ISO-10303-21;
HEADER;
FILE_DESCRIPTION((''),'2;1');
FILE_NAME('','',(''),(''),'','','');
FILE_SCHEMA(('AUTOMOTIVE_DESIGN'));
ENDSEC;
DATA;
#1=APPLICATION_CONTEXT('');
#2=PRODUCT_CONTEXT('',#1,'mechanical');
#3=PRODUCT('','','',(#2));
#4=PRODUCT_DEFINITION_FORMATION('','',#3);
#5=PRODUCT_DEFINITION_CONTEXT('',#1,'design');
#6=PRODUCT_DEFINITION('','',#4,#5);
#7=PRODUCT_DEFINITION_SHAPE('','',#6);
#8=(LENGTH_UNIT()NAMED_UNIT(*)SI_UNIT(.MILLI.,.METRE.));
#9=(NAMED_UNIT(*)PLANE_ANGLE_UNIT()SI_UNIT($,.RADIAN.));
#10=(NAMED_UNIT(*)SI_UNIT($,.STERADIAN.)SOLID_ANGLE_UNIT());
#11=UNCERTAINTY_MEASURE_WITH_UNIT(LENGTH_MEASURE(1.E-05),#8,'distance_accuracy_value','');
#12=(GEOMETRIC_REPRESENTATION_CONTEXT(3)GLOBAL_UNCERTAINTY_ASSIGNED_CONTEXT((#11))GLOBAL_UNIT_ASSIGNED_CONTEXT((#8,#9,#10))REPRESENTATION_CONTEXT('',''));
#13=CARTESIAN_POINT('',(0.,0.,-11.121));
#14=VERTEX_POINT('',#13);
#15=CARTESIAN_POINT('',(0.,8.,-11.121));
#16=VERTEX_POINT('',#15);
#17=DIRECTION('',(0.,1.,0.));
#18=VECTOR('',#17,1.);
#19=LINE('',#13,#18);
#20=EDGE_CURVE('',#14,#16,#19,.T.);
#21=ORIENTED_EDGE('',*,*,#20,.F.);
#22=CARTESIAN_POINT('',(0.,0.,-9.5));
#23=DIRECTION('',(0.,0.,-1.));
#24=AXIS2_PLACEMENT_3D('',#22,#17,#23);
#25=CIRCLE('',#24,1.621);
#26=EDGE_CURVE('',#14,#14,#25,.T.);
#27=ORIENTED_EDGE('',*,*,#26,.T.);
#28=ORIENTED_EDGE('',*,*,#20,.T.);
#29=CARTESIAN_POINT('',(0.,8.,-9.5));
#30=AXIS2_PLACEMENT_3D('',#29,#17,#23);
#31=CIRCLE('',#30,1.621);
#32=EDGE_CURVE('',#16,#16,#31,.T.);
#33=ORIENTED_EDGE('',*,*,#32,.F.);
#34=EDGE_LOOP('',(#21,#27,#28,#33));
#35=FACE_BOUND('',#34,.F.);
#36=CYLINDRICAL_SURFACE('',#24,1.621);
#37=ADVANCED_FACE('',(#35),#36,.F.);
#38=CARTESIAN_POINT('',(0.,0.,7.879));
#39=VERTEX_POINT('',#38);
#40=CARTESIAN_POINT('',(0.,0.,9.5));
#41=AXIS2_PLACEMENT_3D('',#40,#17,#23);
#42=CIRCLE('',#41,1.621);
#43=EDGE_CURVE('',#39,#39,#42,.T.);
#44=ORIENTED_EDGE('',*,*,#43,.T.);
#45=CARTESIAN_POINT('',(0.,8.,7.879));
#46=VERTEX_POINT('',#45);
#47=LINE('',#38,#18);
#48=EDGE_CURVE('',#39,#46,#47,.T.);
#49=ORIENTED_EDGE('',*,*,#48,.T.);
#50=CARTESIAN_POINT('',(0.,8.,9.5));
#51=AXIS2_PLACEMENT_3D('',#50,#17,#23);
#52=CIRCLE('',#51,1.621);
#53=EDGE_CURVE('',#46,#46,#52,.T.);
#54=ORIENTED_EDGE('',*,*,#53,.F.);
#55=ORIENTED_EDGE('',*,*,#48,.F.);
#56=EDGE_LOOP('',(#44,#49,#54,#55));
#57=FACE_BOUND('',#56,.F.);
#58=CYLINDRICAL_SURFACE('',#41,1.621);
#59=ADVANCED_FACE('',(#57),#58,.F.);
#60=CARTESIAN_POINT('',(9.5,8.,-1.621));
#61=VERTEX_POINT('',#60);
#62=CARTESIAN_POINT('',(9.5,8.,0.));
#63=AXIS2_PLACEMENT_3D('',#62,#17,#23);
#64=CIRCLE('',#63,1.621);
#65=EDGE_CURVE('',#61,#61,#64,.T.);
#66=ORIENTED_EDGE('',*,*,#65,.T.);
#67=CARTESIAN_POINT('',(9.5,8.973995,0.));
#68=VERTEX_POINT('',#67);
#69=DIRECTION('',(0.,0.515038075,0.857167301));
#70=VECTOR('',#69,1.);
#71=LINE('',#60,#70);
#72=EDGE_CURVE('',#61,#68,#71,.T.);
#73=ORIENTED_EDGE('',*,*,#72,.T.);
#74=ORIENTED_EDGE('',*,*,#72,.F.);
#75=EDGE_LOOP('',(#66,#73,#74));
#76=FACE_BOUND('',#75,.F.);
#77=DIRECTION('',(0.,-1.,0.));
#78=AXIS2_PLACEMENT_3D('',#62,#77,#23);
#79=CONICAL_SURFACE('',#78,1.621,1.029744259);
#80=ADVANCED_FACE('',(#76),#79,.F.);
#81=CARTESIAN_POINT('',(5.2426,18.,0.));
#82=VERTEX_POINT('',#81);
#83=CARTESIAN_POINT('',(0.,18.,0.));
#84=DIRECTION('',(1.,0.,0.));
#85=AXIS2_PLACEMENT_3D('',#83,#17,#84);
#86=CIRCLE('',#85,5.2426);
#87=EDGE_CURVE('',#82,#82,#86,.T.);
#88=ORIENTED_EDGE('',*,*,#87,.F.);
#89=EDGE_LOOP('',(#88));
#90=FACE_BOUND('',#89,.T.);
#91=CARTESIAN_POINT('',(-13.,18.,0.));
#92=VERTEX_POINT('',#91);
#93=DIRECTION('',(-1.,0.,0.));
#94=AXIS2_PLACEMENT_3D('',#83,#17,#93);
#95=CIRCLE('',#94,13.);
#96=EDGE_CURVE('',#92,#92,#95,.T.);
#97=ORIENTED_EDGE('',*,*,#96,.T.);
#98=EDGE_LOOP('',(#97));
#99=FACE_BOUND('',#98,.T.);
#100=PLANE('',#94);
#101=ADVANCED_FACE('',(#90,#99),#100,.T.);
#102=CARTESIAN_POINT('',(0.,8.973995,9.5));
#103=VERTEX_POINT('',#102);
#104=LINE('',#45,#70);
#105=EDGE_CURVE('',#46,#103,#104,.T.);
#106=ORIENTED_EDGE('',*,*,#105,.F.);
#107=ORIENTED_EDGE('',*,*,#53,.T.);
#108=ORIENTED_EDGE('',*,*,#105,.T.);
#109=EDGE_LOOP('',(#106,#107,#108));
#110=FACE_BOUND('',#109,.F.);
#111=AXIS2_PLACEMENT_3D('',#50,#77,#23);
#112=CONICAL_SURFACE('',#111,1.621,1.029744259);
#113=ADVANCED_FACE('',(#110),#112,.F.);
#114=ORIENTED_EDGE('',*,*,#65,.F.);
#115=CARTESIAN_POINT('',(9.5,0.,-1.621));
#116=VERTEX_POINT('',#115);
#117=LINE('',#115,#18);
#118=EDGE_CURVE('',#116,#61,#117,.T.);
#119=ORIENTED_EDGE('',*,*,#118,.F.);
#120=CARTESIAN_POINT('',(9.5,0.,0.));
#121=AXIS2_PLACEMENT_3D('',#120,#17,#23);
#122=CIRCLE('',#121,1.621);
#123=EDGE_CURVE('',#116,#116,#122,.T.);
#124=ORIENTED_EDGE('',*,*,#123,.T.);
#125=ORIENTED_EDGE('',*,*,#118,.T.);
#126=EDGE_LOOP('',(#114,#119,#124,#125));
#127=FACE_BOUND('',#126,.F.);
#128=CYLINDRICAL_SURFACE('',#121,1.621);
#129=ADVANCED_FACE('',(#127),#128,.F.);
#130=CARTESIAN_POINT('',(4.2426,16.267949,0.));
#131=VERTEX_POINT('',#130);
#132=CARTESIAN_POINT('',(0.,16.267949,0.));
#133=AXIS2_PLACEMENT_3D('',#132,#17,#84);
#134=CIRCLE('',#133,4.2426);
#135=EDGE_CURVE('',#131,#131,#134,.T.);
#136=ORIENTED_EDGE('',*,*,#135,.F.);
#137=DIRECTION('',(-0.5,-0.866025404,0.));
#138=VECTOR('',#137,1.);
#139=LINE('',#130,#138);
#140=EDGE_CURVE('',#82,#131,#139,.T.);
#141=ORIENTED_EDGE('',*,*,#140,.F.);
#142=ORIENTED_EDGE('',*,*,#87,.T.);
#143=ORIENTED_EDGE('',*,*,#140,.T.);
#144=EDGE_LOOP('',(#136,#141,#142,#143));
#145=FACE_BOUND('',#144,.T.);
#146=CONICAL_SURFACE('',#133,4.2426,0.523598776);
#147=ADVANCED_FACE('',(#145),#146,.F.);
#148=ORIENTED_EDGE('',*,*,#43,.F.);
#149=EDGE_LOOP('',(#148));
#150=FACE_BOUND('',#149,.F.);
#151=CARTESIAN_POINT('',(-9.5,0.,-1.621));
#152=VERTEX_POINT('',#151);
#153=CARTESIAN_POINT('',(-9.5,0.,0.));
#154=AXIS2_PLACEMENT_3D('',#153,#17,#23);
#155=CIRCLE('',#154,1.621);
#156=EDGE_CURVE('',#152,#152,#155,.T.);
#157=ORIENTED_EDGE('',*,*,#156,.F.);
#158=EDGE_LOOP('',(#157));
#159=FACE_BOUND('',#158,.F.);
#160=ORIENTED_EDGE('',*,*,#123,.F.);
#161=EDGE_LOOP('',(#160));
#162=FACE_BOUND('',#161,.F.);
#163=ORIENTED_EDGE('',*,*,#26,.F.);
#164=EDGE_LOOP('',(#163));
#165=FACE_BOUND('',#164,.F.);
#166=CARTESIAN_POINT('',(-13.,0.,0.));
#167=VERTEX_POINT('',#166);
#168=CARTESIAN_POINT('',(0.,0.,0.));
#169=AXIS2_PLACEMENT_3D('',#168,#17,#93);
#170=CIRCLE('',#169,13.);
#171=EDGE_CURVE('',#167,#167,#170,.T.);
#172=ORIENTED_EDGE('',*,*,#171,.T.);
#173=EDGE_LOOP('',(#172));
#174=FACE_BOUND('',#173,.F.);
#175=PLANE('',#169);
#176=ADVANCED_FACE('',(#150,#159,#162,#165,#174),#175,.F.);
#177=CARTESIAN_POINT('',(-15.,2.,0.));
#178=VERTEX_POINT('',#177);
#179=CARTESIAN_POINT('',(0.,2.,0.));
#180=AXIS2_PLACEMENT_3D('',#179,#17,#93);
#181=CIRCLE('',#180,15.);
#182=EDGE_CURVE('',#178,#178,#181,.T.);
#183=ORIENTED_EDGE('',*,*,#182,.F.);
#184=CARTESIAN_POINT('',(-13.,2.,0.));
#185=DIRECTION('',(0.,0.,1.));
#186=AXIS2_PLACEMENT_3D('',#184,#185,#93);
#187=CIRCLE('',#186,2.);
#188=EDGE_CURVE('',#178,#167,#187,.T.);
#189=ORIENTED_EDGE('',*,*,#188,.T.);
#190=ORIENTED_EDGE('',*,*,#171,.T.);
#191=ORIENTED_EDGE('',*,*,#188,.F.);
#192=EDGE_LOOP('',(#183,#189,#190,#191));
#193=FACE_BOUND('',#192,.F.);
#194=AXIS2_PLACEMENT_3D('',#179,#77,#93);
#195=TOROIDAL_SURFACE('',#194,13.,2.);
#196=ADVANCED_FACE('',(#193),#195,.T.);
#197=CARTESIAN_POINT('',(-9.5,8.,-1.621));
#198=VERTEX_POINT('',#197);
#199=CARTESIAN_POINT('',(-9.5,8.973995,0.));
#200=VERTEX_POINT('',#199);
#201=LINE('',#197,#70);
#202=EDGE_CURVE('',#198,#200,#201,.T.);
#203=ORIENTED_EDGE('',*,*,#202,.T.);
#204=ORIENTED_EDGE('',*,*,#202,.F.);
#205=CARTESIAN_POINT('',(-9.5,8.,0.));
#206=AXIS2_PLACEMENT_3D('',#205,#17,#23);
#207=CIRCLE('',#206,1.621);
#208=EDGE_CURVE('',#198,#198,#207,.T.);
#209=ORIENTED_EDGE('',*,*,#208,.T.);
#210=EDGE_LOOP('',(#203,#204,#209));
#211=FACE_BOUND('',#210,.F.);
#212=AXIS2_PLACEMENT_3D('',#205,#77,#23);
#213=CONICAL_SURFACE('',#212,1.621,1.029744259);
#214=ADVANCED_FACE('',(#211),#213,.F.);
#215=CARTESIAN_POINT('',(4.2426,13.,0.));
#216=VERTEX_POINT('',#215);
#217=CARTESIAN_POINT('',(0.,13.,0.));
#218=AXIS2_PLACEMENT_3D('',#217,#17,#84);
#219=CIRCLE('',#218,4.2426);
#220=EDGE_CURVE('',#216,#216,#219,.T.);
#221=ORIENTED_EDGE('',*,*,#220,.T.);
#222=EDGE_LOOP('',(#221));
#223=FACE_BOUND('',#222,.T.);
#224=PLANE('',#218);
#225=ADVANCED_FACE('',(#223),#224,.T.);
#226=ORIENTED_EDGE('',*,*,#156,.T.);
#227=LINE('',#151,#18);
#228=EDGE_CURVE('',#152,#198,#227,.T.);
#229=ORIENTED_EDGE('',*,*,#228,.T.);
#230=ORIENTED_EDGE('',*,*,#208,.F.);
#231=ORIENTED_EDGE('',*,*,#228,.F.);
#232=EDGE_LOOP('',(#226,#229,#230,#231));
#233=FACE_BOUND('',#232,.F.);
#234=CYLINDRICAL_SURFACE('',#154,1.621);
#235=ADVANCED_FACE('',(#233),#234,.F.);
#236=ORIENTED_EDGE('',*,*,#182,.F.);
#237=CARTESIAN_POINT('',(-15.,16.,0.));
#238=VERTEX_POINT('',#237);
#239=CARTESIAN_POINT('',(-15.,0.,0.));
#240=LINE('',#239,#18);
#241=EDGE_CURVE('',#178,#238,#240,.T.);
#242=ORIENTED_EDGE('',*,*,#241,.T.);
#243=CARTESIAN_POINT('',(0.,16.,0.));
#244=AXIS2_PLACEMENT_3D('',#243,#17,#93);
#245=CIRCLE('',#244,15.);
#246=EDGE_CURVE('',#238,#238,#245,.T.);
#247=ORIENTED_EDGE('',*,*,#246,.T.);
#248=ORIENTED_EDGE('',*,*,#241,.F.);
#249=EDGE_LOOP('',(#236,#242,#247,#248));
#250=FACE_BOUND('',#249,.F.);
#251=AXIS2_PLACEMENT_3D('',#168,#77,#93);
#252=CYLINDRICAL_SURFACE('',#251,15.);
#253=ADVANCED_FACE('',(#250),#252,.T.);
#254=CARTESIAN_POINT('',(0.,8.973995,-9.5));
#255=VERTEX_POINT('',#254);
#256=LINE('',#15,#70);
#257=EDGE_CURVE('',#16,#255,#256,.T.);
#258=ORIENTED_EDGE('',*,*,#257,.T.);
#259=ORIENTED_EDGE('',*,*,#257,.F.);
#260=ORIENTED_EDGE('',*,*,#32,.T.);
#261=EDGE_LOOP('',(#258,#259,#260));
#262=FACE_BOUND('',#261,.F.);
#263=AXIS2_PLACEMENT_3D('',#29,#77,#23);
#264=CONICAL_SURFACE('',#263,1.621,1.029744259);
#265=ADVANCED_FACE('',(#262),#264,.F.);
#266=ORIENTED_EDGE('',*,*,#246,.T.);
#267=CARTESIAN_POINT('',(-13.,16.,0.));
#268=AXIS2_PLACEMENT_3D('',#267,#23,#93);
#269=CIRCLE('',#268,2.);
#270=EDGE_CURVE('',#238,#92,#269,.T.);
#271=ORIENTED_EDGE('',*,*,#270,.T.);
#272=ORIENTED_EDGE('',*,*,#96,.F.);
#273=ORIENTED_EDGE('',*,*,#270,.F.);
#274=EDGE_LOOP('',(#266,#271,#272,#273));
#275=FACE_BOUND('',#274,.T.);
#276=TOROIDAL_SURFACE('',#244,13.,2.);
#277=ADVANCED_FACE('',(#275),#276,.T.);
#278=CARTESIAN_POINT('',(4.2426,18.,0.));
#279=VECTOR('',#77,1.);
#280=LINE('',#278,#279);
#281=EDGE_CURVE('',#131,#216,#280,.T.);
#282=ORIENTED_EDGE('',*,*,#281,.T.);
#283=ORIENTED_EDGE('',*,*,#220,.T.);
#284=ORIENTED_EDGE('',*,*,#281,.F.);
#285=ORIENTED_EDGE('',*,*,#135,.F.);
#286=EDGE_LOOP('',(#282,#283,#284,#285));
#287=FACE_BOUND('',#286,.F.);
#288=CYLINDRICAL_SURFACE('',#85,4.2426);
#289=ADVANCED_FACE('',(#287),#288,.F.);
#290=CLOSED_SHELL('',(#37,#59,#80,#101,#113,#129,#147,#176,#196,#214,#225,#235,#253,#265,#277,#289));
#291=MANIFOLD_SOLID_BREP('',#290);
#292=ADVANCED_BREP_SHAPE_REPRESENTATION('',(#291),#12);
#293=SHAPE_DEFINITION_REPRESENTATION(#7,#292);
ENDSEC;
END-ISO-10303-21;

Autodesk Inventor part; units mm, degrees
ref_plane "YZ Plane" through (0, 0, 0) normal (1, 0, 0) x (0, 1, 0)
ref_plane "XZ Plane" through (0, 0, 0) normal (0, 1, 0) x (-1, 0, 0)
ref_plane "XY Plane" through (0, 0, 0) normal (0, 0, 1) x (1, 0, 0)
sketch "Sketch1" plane through (0, 0, 0) normal (0, 1, 0) x (-1, 0, 0)
  circle A0 centre (0, 0) radius 15
  dimension "d0" = 30
extrude "Extrusion1" add sketch "Sketch1" along normal blind 18
fillet "Fillet1" radius 2 2 edges at (15, 18, 0) (15, 0, 0)
sketch "Sketch4" plane through (0, 0, 0) normal (0, -1, 0) x (1, 0, 0)
  circle A0 centre (0, 0) radius 9.5 construction
  point P0 (0, 9.5)
  point P1 (0, -9.5)
  point P2 (-9.5, 0)
  point P3 (9.5, 0)
  dimension "d16" = 19
hole "Hole1" at (0, 0, 9.5) at (0, 0, -9.5) at (-9.5, 0, 0) at (9.5, 0, 0) direction (0, 1, 0) diameter 3.242 depth 8 tip angle 118 thread size "M4x0.7" class "6H" standard "ISO Metric profile"
sketch "Sketch6" plane through (0, 18, 0) normal (0, 1, 0) x (1, 0, 0)
  line L0 (-3, 3) -> (3, 3) construction
  line L1 (3, 3) -> (3, -3) construction
  line L2 (3, -3) -> (-3, -3) construction
  line L3 (-3, -3) -> (-3, 3) construction
  circle A0 centre (0, 0) radius 4.2426
  dimension "d30" = 6
  dimension "d31" = 6
  dimension "d32" = 3
  dimension "d33" = 3
extrude "Extrusion6" cut sketch "Sketch6" against normal blind 5
chamfer "Chamfer1" distance 1 angle 60 1 edges at (-4.2426, 18, 0) measured on face at (-9.9139, 18, -1.3755)
properties part number "Motor"
